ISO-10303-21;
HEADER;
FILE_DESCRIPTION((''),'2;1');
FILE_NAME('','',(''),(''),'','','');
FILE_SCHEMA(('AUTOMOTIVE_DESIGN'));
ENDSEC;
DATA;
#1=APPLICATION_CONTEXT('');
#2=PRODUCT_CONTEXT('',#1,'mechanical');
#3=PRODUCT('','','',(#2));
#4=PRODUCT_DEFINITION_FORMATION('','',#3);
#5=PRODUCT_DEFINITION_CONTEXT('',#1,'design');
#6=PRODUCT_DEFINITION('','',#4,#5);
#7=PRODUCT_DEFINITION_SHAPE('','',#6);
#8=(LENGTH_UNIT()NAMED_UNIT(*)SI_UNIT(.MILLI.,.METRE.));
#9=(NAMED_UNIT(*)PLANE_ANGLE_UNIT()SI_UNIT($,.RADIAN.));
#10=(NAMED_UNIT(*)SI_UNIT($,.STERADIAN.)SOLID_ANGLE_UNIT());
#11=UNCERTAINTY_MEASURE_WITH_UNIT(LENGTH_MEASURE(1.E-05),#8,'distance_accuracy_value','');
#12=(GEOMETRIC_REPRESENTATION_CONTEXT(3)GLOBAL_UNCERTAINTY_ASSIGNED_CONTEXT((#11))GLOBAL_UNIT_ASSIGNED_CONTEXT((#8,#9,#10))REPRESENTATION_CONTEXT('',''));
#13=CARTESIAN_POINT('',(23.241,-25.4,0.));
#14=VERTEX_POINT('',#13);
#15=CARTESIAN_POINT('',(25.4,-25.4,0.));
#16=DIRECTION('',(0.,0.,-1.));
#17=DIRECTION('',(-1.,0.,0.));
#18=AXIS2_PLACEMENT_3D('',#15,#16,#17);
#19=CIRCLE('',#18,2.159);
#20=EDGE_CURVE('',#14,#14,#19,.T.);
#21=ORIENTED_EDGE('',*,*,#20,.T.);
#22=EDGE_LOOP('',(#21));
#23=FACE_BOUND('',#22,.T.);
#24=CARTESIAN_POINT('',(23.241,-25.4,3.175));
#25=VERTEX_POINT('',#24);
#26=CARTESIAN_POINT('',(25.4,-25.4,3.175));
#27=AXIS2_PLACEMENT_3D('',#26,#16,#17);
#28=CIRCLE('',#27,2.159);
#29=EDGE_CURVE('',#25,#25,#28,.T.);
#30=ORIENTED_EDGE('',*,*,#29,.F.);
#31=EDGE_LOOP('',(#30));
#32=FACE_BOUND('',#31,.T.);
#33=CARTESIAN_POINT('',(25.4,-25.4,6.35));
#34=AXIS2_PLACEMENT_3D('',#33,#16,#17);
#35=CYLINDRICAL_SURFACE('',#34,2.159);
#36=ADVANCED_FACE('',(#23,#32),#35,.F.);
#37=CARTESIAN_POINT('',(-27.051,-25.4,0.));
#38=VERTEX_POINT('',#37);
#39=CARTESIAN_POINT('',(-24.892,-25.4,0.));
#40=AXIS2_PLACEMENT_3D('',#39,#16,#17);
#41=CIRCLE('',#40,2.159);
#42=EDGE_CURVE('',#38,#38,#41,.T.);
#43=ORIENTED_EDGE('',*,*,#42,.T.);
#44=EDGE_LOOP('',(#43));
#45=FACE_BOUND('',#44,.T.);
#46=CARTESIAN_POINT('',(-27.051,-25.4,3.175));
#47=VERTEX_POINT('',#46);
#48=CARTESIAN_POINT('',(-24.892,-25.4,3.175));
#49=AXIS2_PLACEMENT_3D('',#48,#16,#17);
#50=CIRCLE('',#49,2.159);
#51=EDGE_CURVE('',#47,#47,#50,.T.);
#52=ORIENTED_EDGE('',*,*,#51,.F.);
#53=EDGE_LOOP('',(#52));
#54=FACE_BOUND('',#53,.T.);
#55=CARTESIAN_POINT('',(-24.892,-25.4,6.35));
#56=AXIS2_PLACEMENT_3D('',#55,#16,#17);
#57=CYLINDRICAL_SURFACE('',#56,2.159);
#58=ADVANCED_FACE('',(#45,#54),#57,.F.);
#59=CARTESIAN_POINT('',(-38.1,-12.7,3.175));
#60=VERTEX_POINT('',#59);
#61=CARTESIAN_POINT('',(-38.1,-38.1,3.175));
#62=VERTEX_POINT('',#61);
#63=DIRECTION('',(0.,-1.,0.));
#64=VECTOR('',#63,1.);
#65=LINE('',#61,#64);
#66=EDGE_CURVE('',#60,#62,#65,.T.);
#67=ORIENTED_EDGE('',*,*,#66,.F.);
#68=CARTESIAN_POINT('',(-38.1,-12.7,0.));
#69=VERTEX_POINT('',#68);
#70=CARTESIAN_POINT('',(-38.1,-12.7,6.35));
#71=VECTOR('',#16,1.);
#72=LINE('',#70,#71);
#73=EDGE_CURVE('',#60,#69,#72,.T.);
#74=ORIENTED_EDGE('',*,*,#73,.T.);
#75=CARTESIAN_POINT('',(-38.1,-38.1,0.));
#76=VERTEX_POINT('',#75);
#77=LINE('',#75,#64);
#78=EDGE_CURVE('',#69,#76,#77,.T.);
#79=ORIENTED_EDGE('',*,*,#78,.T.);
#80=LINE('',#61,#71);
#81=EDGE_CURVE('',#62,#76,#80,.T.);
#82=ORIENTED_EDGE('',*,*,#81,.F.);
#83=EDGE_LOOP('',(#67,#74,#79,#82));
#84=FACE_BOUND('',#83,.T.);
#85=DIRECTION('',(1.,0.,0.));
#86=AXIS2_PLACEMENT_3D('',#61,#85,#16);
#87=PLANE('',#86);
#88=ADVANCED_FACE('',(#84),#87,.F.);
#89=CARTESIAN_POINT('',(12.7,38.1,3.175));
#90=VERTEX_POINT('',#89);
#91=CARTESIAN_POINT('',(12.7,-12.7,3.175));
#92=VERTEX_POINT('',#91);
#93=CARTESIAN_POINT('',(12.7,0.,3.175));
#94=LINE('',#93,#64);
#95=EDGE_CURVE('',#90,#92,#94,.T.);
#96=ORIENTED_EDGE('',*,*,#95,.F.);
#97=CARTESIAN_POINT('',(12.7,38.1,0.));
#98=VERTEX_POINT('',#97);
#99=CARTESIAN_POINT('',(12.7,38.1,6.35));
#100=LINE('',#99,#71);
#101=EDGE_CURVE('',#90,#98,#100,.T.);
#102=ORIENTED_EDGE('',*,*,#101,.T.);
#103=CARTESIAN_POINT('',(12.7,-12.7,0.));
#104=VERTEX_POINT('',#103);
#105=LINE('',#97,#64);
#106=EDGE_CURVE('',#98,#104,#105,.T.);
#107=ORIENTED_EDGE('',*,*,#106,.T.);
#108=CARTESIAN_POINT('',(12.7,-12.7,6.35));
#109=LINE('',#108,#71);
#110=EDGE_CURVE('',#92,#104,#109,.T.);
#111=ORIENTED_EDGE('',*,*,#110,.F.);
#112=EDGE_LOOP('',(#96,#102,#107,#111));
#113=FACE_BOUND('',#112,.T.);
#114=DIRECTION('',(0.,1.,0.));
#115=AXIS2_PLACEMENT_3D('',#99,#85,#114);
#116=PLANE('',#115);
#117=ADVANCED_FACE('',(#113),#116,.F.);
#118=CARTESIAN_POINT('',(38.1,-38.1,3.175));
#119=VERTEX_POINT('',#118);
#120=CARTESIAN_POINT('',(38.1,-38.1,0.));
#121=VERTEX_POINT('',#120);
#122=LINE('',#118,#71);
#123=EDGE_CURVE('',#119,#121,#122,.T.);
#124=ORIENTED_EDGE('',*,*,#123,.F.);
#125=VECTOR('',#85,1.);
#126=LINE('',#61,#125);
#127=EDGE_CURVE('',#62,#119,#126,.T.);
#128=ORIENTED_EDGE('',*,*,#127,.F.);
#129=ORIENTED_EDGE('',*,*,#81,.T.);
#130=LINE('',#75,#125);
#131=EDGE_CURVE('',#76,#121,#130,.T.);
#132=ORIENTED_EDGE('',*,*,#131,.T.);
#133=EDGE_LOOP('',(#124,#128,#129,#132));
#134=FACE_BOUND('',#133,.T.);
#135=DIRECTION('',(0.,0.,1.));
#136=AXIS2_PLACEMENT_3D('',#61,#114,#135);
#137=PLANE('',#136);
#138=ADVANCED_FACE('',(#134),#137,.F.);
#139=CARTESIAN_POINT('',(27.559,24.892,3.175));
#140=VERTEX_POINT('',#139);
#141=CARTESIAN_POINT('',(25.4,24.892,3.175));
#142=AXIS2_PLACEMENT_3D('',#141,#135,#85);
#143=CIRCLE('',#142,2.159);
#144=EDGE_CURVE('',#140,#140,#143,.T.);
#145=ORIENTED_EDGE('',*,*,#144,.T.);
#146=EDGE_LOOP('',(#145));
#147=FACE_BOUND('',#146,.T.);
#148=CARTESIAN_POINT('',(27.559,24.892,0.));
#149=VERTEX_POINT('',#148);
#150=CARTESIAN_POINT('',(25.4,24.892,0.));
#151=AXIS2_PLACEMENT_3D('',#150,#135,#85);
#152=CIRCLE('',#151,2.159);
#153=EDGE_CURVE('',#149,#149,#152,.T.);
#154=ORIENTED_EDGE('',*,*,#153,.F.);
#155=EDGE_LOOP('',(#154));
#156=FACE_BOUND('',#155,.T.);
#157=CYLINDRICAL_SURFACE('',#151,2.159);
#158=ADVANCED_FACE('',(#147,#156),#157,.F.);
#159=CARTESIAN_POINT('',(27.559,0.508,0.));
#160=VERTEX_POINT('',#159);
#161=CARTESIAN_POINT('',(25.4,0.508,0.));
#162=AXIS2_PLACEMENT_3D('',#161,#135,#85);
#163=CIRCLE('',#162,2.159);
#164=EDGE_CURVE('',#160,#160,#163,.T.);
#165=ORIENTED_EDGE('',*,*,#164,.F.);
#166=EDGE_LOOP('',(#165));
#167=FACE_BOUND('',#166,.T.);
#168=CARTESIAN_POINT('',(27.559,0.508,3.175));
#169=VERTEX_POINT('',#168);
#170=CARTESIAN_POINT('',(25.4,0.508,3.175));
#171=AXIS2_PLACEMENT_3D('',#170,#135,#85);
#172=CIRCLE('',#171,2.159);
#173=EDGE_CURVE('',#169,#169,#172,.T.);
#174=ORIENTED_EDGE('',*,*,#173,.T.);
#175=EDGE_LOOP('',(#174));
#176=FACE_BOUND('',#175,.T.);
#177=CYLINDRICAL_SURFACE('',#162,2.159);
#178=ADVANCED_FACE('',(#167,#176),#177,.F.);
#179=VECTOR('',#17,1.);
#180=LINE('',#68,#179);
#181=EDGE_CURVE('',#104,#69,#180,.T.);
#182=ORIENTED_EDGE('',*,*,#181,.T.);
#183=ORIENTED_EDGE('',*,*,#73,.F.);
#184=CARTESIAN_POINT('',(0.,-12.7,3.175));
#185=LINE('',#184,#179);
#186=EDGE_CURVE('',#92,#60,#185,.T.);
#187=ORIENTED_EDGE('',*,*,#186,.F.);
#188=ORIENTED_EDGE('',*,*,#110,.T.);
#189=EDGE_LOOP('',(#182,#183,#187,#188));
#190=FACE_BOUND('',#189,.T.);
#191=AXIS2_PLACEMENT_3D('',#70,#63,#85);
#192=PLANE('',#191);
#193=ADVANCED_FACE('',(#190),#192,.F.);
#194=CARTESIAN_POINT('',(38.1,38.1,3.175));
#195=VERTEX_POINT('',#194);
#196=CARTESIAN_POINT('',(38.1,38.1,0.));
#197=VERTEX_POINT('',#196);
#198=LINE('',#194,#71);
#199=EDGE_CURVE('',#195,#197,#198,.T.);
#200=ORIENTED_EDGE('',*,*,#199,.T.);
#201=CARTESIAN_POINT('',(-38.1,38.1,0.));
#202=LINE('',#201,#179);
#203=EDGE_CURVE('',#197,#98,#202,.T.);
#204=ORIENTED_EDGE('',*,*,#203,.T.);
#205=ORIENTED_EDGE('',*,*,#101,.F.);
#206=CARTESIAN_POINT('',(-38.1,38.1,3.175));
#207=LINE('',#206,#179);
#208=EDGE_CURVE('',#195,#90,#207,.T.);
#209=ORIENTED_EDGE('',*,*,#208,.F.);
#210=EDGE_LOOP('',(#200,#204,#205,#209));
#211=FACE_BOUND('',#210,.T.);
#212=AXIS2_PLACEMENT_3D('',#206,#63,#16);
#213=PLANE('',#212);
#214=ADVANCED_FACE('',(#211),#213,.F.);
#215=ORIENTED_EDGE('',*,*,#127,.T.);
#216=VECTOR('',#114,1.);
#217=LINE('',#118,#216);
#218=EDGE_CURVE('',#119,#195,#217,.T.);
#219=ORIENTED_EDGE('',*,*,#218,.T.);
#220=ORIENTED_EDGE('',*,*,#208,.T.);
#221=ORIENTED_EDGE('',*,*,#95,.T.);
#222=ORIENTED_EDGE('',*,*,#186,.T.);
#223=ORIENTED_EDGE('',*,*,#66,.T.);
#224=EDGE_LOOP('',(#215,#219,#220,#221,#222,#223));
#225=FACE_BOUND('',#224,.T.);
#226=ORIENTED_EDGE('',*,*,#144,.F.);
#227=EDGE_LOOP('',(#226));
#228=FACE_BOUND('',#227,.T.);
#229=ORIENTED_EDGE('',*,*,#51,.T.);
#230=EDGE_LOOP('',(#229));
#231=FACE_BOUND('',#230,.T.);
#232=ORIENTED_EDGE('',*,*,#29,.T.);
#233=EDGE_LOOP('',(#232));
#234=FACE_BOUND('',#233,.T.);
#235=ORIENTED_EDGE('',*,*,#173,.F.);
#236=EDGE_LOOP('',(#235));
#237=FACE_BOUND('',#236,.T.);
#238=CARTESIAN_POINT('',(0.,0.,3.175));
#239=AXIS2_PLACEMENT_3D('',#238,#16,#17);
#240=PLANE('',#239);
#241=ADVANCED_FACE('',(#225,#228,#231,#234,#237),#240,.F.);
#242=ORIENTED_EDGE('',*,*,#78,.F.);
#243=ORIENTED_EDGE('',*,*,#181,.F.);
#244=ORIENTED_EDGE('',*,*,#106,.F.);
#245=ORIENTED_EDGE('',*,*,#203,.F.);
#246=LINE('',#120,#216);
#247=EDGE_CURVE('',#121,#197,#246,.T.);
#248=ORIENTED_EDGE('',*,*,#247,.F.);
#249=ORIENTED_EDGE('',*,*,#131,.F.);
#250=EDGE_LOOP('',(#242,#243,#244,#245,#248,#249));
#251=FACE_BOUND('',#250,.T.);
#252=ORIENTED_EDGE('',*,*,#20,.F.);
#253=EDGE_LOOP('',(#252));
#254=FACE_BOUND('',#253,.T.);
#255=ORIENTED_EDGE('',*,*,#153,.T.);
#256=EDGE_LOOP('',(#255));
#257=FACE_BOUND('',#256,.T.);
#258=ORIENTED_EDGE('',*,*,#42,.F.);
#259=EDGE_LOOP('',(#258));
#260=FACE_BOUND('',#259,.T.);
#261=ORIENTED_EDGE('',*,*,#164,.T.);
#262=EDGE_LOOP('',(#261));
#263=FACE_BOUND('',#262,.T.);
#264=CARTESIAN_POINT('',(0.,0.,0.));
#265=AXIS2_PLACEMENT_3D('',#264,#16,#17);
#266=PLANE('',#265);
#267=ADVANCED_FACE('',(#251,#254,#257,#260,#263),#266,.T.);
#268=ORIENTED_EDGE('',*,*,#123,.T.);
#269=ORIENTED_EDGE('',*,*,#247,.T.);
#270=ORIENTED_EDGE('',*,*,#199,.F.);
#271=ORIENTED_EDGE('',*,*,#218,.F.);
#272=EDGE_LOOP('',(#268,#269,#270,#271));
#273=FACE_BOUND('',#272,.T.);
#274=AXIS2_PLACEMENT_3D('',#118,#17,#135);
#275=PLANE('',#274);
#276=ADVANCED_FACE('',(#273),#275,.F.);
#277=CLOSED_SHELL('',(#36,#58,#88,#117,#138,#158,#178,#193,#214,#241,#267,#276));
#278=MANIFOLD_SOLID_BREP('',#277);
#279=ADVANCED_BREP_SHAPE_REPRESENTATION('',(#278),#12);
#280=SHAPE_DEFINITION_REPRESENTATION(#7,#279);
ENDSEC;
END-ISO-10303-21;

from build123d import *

# Parameters (mm, degrees)
SKETCH1_W           = 76.2
SKETCH1_H           = 76.2
BOSS_EXTRUDE1_DEPTH = 3.175
SKETCH2_W           = 50.8
SKETCH2_H           = 50.8
CUT_EXTRUDE1_DEPTH  = 6.35
SKETCH3_R           = 2.159
CUT_EXTRUDE2_DEPTH  = 6.35
SKETCH5_R           = 2.159
CUT_EXTRUDE3_DEPTH  = 6.35
SKETCH6_R           = 2.159
CUT_EXTRUDE4_DEPTH  = 54.975


with BuildPart() as part:
    # Sketch1 → Boss-Extrude1 (new body)
    with BuildSketch(Plane.XY):
        Rectangle(SKETCH1_W, SKETCH1_H)
    extrude(amount=BOSS_EXTRUDE1_DEPTH)

    # Sketch2 → Cut-Extrude1 (cut)
    with BuildSketch(Plane(origin=(0, 0, 0), x_dir=(-1, 0, 0), z_dir=(0, 0, -1))):
        with Locations((12.7, 12.7)):
            Rectangle(SKETCH2_W, SKETCH2_H)
    extrude(amount=-CUT_EXTRUDE1_DEPTH, mode=Mode.SUBTRACT)

    # Sketch3 → Cut-Extrude2 (cut)
    with BuildSketch(Plane(origin=(0, 0, 0), x_dir=(-1, 0, 0), z_dir=(0, 0, -1))):
        with Locations((-25.4, -25.4)):
            Circle(SKETCH3_R)
    extrude(amount=-CUT_EXTRUDE2_DEPTH, mode=Mode.SUBTRACT)

    # Sketch5 → Cut-Extrude3 (cut)
    with BuildSketch(Plane(origin=(0, 0, 0), x_dir=(-1, 0, 0), z_dir=(0, 0, -1))):
        with Locations((24.892, -25.4)):
            Circle(SKETCH5_R)
    extrude(amount=-CUT_EXTRUDE3_DEPTH, mode=Mode.SUBTRACT)

    # Sketch6 → Cut-Extrude4 (cut, through all)
    with BuildSketch(Plane.XY.offset(3.175)):
        with Locations((25.4, 0.508)):
            Circle(SKETCH6_R)
        with Locations((25.4, 24.892)):
            Circle(SKETCH6_R)
    extrude(amount=-CUT_EXTRUDE4_DEPTH, mode=Mode.SUBTRACT)


solid = part.part
